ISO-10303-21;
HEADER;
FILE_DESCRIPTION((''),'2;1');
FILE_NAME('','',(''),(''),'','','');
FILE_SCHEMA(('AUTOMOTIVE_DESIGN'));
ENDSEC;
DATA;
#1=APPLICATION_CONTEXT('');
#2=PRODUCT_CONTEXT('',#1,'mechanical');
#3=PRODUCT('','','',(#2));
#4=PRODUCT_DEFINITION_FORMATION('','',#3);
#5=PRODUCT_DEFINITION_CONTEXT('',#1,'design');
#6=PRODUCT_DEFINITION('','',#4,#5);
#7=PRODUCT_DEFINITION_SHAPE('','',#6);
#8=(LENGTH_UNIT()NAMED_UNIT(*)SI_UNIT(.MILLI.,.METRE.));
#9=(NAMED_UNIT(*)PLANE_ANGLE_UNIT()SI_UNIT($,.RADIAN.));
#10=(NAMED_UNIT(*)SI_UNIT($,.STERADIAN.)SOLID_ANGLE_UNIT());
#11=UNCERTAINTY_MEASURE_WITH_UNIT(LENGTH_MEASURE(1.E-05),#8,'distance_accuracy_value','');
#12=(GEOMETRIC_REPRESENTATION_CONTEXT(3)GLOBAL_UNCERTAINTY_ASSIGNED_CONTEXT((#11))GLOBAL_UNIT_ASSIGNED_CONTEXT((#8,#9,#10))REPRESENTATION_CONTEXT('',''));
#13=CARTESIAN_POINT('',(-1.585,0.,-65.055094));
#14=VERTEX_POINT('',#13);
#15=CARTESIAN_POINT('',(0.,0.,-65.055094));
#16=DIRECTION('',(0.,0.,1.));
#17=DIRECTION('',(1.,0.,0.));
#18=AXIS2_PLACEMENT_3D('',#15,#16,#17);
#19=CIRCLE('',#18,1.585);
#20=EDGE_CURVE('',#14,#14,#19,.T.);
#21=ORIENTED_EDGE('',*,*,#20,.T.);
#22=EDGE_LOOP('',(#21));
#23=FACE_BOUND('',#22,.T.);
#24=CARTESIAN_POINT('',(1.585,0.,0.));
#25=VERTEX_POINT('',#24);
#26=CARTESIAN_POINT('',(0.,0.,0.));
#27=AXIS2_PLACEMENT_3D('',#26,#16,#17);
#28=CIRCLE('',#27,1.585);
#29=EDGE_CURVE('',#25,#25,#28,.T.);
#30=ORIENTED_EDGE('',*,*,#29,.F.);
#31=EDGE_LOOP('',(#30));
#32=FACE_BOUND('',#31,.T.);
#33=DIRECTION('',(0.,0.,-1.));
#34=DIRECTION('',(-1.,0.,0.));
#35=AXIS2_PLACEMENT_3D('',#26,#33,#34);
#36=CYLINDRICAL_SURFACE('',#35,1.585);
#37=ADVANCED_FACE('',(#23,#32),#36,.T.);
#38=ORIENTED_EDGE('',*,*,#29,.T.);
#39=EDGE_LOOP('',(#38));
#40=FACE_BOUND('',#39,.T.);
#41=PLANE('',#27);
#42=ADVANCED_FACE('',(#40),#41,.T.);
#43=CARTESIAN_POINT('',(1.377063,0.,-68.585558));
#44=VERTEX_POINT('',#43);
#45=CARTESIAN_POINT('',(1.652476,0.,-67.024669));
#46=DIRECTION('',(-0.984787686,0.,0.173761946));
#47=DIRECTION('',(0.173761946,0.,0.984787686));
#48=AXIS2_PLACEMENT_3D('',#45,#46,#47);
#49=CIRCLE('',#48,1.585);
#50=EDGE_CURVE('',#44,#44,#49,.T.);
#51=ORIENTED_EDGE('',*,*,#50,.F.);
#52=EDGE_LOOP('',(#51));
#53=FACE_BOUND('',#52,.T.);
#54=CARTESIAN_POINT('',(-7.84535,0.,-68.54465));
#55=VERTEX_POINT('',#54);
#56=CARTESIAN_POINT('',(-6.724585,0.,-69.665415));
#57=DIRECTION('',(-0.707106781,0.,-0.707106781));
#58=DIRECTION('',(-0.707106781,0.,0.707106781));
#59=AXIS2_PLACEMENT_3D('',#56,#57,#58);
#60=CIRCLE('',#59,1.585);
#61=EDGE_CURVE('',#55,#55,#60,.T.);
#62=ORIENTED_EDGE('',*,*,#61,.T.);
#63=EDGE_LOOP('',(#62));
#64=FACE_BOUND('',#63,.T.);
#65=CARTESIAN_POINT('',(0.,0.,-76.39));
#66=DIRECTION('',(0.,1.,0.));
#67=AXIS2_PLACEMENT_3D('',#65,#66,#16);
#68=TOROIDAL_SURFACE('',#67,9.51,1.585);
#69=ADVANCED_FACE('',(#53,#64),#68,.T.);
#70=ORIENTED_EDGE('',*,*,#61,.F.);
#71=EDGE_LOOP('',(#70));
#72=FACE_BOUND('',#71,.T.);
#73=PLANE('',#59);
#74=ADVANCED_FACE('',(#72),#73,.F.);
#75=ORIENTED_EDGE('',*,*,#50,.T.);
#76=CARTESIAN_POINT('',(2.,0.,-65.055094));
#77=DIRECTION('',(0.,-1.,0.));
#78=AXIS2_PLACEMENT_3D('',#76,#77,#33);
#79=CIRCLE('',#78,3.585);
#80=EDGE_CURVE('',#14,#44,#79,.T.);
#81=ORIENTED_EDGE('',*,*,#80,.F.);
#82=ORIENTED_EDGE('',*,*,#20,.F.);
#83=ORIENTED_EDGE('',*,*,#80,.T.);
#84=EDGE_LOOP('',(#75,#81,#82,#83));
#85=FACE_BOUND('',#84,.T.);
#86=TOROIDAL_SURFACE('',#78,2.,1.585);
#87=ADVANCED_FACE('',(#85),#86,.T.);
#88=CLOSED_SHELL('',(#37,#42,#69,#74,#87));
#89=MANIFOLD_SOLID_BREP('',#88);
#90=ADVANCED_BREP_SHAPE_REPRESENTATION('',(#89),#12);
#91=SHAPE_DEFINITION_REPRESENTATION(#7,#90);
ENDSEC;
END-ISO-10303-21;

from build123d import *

# Parameters (mm, degrees)
ESBO_O2_R = 1.585


with BuildPart() as part:
    # Varredura1: sweep along a path in Esboço1
    with BuildLine(Plane(origin=(0, 0, 0), x_dir=(1, 0, 0), z_dir=(0, 1, 0))) as varredura1_path:
        Line((0, 0), (0, 65.055093737))
        ThreePointArc((0, 65.055093737), (0.467836858, 66.340580457), (1.652476108, 67.024669108))
        ThreePointArc((1.652476108, 67.024669108), (2.859188253, 85.46001337), (-6.724585489, 69.665414511))
    # Esboço2 → Varredura1 (sweep)
    with BuildSketch(Plane.XY):
        Circle(ESBO_O2_R)
    sweep(path=varredura1_path.line)


solid = part.part
